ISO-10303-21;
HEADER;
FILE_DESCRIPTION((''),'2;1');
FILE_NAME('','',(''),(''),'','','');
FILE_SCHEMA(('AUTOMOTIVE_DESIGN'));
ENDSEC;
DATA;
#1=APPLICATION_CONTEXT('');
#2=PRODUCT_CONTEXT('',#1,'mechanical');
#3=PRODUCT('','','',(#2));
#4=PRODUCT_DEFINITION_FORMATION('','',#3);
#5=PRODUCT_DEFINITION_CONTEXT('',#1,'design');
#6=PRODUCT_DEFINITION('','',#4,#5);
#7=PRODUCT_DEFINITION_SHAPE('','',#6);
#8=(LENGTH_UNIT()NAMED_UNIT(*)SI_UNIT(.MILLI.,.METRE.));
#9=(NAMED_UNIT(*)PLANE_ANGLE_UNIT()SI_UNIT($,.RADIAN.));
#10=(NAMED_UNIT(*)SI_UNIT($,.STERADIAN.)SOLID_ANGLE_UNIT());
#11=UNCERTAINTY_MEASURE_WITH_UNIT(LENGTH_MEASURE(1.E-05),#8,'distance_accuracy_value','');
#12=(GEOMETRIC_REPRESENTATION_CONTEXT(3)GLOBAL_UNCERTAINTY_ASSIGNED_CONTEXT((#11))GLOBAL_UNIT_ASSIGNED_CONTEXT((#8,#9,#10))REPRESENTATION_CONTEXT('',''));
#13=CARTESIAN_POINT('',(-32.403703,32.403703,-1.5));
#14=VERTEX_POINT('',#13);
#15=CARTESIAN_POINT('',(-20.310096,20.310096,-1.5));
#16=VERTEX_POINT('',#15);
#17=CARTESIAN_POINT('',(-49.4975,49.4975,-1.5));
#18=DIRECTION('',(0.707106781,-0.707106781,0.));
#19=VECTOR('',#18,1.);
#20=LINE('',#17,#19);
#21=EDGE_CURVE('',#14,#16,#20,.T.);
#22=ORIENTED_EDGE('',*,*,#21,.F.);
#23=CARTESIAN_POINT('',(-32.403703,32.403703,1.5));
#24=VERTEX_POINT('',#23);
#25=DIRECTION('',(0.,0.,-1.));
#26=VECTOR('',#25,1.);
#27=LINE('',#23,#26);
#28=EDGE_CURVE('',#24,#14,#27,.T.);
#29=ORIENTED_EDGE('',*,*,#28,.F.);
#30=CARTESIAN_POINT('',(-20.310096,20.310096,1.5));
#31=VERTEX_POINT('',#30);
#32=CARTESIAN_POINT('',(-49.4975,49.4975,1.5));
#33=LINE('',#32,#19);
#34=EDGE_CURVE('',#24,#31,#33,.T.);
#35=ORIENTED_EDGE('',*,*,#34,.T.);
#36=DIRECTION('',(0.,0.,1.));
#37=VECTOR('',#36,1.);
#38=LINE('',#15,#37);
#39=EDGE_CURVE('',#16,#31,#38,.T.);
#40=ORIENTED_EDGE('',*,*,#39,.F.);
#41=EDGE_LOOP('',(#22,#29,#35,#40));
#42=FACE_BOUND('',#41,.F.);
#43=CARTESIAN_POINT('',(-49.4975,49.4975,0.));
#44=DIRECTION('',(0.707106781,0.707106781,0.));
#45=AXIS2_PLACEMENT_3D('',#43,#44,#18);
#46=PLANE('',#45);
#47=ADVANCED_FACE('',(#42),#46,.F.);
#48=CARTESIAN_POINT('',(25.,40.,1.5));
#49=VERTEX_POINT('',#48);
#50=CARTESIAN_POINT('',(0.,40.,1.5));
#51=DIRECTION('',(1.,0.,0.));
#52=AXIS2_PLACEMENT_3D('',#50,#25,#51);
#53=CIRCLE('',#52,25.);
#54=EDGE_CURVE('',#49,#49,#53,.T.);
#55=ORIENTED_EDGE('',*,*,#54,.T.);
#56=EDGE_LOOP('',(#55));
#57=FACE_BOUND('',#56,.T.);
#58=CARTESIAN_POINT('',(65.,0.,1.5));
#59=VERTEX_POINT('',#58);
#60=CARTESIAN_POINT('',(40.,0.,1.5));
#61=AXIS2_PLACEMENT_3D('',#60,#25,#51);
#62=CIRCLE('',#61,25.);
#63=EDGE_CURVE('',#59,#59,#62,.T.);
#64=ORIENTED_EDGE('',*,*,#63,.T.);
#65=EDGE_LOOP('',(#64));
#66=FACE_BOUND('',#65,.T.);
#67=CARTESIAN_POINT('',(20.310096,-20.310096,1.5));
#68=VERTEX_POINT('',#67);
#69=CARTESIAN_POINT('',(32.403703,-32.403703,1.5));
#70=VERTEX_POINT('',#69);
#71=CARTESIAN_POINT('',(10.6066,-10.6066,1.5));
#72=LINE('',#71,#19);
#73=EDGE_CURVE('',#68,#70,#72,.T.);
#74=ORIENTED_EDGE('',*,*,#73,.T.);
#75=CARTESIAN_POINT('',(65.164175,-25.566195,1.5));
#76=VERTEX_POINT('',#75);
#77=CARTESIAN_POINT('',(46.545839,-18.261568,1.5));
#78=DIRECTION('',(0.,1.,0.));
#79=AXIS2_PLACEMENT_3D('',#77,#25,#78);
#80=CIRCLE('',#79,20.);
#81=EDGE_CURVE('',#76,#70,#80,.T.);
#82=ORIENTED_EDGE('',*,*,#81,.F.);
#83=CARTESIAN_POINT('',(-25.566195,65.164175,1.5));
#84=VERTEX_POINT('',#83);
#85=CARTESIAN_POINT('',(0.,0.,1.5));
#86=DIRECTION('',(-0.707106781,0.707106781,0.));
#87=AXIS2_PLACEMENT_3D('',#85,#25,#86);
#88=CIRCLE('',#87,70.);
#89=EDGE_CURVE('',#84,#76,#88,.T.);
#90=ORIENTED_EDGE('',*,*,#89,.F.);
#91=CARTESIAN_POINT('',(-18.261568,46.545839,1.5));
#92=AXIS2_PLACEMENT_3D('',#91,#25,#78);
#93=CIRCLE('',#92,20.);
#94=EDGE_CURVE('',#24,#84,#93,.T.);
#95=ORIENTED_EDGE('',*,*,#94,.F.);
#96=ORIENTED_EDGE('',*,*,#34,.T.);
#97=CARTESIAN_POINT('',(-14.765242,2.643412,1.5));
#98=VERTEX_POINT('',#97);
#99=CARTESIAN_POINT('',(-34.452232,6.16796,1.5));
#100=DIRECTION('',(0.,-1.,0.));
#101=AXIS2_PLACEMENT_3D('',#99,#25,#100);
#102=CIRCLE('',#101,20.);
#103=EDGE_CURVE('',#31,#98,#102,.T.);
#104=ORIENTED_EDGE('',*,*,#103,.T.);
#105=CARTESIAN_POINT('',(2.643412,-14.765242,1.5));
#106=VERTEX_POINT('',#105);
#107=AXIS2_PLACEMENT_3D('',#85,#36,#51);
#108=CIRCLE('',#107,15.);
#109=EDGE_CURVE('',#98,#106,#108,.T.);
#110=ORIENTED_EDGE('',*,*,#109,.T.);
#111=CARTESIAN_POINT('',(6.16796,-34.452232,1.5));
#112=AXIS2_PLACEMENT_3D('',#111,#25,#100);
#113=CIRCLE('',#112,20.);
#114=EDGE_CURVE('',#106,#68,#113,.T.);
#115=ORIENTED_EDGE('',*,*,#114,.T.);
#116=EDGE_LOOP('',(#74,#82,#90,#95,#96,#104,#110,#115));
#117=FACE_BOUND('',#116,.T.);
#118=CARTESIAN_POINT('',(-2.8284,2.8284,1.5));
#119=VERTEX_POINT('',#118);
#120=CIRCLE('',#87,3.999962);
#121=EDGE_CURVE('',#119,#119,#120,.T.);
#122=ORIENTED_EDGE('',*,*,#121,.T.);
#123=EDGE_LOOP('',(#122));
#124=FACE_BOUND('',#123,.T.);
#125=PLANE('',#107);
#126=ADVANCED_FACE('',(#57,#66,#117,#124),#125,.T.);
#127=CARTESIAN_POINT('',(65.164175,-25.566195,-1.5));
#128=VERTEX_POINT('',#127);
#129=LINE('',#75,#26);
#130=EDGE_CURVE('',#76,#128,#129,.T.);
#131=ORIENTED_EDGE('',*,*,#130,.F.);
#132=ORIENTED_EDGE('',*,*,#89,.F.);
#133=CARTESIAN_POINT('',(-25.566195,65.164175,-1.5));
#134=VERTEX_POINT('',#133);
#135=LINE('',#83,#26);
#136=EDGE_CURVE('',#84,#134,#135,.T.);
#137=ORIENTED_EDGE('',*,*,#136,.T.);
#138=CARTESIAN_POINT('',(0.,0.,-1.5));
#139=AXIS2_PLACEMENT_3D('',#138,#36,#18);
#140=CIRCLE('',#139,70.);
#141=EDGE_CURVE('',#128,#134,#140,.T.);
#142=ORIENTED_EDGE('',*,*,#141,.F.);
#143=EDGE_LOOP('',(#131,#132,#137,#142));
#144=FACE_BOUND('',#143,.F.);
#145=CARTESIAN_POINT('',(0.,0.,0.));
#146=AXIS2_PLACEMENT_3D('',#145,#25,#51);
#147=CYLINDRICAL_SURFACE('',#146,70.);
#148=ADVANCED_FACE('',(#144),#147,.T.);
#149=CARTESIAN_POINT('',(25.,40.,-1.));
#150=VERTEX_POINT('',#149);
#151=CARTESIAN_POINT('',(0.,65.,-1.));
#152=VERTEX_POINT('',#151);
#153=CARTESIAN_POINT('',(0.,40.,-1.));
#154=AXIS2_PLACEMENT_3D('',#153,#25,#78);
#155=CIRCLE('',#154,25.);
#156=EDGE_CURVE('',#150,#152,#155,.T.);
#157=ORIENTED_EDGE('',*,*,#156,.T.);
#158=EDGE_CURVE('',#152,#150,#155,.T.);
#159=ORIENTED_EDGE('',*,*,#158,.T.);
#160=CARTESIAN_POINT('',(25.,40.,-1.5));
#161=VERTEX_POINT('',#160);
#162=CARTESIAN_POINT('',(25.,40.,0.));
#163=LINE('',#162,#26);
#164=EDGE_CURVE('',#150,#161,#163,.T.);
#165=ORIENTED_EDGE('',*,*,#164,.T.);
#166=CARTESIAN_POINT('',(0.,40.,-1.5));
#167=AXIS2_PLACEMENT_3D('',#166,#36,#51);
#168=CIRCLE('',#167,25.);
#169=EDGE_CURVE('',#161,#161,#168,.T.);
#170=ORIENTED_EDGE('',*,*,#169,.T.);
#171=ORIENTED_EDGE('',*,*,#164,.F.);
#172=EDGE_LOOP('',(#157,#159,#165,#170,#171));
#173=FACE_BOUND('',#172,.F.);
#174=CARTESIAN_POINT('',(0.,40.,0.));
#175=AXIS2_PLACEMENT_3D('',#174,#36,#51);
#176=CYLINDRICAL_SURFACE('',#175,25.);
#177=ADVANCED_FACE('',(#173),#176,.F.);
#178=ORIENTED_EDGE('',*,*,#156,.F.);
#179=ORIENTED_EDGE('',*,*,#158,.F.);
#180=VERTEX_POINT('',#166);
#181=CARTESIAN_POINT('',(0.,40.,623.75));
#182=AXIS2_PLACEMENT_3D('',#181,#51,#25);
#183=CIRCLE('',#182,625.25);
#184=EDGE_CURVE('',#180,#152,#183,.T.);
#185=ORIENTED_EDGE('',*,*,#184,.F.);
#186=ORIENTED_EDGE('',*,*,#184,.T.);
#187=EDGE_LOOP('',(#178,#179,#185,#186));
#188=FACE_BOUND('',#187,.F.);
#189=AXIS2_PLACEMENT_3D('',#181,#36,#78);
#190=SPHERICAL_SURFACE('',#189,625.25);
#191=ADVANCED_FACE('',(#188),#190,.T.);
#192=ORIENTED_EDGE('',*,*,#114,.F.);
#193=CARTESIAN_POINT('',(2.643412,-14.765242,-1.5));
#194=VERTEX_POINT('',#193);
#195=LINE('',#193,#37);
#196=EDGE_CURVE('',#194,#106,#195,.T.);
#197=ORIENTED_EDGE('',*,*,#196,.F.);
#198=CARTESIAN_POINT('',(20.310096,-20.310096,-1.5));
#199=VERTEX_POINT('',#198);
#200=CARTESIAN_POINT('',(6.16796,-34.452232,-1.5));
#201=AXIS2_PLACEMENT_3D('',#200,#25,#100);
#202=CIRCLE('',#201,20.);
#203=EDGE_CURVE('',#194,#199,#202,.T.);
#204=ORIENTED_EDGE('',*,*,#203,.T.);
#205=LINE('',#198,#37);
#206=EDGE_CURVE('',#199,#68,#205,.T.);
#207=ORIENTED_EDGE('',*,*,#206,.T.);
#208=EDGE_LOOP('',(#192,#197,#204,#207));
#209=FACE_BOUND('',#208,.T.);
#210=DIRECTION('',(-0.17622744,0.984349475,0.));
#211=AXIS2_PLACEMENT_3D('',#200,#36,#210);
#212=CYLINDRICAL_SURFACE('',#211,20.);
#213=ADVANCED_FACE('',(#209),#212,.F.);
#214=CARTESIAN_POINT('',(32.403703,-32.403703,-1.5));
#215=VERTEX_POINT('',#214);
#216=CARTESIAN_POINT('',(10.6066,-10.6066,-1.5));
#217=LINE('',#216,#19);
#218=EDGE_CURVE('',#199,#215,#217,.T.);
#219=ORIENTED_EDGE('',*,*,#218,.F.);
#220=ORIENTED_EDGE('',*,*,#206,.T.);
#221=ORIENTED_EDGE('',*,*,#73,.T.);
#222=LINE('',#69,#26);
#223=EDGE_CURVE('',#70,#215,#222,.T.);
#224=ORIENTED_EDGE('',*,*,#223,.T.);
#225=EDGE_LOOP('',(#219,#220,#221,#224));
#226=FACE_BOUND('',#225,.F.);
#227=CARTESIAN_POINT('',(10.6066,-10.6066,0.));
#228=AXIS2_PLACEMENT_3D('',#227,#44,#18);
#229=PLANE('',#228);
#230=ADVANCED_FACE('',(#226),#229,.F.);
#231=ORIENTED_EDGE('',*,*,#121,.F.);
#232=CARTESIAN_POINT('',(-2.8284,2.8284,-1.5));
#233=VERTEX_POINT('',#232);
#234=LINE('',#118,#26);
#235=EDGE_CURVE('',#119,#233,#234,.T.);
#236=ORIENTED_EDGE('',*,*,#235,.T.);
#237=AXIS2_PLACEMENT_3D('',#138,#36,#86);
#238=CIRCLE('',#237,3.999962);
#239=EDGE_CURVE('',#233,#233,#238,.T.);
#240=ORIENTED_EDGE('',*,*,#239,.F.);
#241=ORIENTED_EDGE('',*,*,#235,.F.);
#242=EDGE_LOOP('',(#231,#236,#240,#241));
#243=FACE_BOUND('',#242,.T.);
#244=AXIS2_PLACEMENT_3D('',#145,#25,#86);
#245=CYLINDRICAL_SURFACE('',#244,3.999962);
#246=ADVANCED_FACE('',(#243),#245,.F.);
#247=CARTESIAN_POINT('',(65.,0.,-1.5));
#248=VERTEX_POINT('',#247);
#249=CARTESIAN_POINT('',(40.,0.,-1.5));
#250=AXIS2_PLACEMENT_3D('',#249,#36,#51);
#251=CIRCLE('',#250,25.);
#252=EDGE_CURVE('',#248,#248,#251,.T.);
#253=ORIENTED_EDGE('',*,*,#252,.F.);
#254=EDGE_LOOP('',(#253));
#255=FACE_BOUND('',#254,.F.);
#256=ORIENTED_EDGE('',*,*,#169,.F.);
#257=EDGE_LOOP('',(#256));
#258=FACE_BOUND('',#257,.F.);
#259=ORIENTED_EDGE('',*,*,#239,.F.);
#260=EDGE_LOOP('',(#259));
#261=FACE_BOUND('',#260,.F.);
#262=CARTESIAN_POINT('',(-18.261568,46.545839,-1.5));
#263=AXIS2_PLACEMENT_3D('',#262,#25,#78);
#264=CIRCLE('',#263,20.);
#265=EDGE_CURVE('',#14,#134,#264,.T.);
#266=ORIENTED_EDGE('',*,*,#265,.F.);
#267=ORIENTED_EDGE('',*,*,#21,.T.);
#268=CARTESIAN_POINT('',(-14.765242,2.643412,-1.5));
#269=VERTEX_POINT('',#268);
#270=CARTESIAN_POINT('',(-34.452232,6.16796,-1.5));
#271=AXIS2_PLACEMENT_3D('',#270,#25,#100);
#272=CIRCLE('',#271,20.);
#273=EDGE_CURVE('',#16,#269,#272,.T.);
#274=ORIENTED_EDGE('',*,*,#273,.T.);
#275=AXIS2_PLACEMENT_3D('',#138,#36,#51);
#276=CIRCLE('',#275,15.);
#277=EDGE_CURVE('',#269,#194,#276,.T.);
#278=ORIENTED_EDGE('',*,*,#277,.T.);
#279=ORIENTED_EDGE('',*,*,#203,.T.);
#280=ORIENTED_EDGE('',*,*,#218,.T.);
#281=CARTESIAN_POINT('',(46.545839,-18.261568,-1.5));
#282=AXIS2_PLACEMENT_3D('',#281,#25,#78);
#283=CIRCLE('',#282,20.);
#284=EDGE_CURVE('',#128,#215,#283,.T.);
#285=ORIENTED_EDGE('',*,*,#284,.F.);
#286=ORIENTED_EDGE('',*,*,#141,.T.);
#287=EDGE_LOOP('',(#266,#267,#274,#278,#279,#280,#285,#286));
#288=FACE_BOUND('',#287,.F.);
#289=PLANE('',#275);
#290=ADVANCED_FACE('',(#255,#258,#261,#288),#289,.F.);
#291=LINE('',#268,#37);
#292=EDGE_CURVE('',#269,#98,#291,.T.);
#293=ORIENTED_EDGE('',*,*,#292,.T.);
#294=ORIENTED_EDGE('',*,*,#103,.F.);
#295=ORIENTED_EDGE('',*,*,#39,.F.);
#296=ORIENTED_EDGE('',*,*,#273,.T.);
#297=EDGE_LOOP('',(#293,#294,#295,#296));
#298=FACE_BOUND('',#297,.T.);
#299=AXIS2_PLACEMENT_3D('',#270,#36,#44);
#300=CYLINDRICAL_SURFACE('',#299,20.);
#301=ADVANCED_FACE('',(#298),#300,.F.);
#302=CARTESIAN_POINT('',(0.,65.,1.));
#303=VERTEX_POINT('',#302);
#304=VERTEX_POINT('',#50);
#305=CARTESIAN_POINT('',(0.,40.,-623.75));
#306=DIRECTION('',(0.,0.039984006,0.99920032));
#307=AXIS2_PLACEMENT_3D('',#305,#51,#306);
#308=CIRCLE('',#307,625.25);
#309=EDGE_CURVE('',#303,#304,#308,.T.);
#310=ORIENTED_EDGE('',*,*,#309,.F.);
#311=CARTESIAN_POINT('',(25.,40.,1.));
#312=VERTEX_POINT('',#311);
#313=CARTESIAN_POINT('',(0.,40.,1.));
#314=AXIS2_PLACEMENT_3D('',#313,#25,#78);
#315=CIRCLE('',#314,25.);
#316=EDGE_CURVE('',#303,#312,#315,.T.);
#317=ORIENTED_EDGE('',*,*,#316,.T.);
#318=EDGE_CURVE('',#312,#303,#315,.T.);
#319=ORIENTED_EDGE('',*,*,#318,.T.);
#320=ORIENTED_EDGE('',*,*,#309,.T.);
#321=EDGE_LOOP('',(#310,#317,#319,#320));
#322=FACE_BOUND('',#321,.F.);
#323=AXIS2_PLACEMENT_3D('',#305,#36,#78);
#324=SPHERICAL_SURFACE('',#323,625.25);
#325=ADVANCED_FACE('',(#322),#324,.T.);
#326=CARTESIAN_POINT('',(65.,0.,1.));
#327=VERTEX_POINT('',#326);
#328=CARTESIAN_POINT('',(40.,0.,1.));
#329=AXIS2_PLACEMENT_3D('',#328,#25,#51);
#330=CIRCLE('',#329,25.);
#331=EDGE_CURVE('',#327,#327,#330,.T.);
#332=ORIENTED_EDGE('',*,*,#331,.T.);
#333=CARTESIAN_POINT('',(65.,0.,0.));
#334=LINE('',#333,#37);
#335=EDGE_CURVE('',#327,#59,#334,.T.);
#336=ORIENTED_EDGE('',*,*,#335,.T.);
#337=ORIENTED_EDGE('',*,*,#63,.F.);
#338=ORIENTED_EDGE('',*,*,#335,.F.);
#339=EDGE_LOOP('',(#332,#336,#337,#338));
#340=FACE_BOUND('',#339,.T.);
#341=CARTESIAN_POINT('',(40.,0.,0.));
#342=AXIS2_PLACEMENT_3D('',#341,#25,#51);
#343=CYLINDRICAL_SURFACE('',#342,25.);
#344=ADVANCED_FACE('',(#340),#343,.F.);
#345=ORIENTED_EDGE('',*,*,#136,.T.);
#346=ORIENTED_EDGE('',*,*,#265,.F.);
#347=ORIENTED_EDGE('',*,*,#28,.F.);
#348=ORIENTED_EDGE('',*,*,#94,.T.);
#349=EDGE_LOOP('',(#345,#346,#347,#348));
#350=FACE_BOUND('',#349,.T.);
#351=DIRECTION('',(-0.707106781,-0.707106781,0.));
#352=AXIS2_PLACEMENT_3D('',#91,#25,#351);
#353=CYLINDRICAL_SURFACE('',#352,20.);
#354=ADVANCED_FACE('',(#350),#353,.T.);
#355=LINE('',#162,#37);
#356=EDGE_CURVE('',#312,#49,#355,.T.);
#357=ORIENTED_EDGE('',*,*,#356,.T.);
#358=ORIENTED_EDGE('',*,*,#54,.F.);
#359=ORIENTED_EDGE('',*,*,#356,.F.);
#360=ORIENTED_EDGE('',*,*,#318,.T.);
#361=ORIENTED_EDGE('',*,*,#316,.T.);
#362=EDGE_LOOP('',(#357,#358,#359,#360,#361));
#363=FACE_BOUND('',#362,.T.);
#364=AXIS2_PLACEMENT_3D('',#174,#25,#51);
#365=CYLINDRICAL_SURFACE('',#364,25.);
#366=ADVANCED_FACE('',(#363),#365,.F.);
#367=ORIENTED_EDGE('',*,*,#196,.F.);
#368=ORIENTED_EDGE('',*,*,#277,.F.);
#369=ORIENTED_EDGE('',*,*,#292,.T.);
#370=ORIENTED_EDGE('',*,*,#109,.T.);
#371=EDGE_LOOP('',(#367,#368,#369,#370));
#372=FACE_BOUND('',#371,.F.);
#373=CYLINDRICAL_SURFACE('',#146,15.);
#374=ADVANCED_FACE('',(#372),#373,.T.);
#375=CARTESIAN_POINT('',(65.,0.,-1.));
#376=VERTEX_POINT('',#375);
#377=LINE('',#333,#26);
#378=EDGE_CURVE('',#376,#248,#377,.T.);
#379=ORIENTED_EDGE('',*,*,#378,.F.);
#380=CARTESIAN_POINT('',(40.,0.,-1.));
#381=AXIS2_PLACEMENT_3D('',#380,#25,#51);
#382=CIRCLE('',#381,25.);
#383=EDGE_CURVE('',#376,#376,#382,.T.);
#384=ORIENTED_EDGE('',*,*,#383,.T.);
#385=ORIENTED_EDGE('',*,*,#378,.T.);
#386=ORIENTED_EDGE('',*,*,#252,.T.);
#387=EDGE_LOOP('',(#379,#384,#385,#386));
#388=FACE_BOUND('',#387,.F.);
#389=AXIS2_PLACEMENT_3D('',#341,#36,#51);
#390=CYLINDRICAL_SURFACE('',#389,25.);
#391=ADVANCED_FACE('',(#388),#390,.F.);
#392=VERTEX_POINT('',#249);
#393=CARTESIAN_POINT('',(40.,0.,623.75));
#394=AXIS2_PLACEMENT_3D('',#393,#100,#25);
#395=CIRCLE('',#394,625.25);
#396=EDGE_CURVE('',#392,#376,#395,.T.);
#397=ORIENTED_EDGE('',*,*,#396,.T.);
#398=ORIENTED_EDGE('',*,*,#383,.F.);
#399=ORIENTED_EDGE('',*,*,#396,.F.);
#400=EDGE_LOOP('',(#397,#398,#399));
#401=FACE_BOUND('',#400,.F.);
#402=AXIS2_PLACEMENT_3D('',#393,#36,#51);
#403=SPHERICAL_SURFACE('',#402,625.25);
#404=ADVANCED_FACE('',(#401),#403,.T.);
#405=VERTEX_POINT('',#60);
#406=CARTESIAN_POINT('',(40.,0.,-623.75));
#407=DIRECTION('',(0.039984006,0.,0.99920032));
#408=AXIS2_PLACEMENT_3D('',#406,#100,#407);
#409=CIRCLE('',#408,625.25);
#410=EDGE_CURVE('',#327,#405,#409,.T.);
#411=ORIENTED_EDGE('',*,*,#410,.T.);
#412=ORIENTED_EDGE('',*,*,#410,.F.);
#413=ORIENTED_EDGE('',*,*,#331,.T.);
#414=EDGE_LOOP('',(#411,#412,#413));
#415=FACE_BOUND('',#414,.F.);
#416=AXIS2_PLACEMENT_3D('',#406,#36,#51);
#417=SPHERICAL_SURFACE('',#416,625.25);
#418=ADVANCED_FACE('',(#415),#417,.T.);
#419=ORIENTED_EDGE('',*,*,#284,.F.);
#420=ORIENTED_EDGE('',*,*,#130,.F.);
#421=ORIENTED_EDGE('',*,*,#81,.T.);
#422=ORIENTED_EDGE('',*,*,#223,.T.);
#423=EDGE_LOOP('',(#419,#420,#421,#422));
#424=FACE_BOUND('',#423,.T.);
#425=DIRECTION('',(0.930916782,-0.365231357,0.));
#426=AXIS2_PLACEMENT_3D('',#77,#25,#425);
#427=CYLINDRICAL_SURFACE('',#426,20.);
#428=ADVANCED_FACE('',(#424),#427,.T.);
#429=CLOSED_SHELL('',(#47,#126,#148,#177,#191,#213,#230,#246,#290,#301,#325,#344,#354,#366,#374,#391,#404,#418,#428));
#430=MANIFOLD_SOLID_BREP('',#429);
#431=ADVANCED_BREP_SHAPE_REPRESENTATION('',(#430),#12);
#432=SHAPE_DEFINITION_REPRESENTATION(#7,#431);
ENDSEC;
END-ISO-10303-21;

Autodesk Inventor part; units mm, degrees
ref_plane "YZ Plane" through (0, 0, 0) normal (1, 0, 0) x (0, 1, 0)
ref_plane "XZ Plane" through (0, 0, 0) normal (0, 1, 0) x (-1, 0, 0)
ref_plane "XY Plane" through (0, 0, 0) normal (0, 0, 1) x (1, 0, 0)
sketch "Sketch1" plane through (0, 0, 0) normal (0, 0, 1) x (1, 0, 0)
  circle A0 centre (0, 0) radius 40 construction
  circle A1 centre (0, 40) radius 25
  circle A2 centre (40, 0) radius 25
  circle A3 centre (0, 0) radius 70
  line L0 (-49.4975, 49.4975) -> (-10.6066, 10.6066)
  line L1 (40, 0) -> (0, 0) construction
  arc A4 (2.8284, -2.8284) -> (-2.8284, 2.8284) centre (0, 0) ccw
  circle A5 centre (0, 0) radius 15
  line L2 (-10.6066, 10.6066) -> (10.6066, -10.6066)
  line L3 (10.6066, -10.6066) -> (49.4975, -49.4975)
  arc A6 (-2.8284, 2.8284) -> (2.8284, -2.8284) centre (0, 0) ccw
  dimension "d0" = 50
  dimension "d1" = 50
  dimension "d2" = 30
  dimension "d3" = 45
  dimension "d4" = 80
  dimension "d5" = 8
  dimension "d6" = 30
extrude "Extrusion1" add sketch "Sketch1" along normal mid plane 3 contours A5 L0 A3 L3 | A5 L2 A4 | L2 A6 A5 picked at (36.2103, 39.0042)
fillet "Fillet1" radius 20 8 edges at (-49.4975, 49.4975, 0.75) (-49.4975, 49.4975, -0.75) (49.4975, -49.4975, 0.75) (49.4975, -49.4975, -0.75) (10.6066, -10.6066, 0.75) (10.6066, -10.6066, -0.75) (-10.6066, 10.6066, 0.75) (-10.6066, 10.6066, -0.75)
sketch "Sketch2" plane through (0, 0, 0) normal (1, 0, 0) x (0, 1, 0)
  line L0 (40, 10.9334) -> (40, -11.9081)
  line L1 (65, -1.5) -> (15, -1.5) construction
  line L2 (15, 1.5) -> (65, 1.5) construction
  line L3 (65, -1.5) -> (65, 1.5) construction
  line L4 (65, 1) -> (65, -1)
  arc A0 (65, 1) -> (40, 1.5) centre (40, -623.75) ccw
  arc A1 (40, -1.5) -> (65, -1) centre (40, 623.75) ccw
  line L5 (40, 1.5) -> (40, -1.5)
  point P0 (0, 0)
  point P1 (65, 0)
  point P2 (65, 0)
  dimension "d10" = 2
revolve "Revolution1" add sketch "Sketch2" angle 360 about axis through (0, 40, 10.9334) along (0, 0, -1)
pattern_circular "Circular Pattern1" count 2 over 90 about axis through (0, 0, -10) along (0, 0, -1) of "Revolution1"
properties part number "FILTER WHEEL"
